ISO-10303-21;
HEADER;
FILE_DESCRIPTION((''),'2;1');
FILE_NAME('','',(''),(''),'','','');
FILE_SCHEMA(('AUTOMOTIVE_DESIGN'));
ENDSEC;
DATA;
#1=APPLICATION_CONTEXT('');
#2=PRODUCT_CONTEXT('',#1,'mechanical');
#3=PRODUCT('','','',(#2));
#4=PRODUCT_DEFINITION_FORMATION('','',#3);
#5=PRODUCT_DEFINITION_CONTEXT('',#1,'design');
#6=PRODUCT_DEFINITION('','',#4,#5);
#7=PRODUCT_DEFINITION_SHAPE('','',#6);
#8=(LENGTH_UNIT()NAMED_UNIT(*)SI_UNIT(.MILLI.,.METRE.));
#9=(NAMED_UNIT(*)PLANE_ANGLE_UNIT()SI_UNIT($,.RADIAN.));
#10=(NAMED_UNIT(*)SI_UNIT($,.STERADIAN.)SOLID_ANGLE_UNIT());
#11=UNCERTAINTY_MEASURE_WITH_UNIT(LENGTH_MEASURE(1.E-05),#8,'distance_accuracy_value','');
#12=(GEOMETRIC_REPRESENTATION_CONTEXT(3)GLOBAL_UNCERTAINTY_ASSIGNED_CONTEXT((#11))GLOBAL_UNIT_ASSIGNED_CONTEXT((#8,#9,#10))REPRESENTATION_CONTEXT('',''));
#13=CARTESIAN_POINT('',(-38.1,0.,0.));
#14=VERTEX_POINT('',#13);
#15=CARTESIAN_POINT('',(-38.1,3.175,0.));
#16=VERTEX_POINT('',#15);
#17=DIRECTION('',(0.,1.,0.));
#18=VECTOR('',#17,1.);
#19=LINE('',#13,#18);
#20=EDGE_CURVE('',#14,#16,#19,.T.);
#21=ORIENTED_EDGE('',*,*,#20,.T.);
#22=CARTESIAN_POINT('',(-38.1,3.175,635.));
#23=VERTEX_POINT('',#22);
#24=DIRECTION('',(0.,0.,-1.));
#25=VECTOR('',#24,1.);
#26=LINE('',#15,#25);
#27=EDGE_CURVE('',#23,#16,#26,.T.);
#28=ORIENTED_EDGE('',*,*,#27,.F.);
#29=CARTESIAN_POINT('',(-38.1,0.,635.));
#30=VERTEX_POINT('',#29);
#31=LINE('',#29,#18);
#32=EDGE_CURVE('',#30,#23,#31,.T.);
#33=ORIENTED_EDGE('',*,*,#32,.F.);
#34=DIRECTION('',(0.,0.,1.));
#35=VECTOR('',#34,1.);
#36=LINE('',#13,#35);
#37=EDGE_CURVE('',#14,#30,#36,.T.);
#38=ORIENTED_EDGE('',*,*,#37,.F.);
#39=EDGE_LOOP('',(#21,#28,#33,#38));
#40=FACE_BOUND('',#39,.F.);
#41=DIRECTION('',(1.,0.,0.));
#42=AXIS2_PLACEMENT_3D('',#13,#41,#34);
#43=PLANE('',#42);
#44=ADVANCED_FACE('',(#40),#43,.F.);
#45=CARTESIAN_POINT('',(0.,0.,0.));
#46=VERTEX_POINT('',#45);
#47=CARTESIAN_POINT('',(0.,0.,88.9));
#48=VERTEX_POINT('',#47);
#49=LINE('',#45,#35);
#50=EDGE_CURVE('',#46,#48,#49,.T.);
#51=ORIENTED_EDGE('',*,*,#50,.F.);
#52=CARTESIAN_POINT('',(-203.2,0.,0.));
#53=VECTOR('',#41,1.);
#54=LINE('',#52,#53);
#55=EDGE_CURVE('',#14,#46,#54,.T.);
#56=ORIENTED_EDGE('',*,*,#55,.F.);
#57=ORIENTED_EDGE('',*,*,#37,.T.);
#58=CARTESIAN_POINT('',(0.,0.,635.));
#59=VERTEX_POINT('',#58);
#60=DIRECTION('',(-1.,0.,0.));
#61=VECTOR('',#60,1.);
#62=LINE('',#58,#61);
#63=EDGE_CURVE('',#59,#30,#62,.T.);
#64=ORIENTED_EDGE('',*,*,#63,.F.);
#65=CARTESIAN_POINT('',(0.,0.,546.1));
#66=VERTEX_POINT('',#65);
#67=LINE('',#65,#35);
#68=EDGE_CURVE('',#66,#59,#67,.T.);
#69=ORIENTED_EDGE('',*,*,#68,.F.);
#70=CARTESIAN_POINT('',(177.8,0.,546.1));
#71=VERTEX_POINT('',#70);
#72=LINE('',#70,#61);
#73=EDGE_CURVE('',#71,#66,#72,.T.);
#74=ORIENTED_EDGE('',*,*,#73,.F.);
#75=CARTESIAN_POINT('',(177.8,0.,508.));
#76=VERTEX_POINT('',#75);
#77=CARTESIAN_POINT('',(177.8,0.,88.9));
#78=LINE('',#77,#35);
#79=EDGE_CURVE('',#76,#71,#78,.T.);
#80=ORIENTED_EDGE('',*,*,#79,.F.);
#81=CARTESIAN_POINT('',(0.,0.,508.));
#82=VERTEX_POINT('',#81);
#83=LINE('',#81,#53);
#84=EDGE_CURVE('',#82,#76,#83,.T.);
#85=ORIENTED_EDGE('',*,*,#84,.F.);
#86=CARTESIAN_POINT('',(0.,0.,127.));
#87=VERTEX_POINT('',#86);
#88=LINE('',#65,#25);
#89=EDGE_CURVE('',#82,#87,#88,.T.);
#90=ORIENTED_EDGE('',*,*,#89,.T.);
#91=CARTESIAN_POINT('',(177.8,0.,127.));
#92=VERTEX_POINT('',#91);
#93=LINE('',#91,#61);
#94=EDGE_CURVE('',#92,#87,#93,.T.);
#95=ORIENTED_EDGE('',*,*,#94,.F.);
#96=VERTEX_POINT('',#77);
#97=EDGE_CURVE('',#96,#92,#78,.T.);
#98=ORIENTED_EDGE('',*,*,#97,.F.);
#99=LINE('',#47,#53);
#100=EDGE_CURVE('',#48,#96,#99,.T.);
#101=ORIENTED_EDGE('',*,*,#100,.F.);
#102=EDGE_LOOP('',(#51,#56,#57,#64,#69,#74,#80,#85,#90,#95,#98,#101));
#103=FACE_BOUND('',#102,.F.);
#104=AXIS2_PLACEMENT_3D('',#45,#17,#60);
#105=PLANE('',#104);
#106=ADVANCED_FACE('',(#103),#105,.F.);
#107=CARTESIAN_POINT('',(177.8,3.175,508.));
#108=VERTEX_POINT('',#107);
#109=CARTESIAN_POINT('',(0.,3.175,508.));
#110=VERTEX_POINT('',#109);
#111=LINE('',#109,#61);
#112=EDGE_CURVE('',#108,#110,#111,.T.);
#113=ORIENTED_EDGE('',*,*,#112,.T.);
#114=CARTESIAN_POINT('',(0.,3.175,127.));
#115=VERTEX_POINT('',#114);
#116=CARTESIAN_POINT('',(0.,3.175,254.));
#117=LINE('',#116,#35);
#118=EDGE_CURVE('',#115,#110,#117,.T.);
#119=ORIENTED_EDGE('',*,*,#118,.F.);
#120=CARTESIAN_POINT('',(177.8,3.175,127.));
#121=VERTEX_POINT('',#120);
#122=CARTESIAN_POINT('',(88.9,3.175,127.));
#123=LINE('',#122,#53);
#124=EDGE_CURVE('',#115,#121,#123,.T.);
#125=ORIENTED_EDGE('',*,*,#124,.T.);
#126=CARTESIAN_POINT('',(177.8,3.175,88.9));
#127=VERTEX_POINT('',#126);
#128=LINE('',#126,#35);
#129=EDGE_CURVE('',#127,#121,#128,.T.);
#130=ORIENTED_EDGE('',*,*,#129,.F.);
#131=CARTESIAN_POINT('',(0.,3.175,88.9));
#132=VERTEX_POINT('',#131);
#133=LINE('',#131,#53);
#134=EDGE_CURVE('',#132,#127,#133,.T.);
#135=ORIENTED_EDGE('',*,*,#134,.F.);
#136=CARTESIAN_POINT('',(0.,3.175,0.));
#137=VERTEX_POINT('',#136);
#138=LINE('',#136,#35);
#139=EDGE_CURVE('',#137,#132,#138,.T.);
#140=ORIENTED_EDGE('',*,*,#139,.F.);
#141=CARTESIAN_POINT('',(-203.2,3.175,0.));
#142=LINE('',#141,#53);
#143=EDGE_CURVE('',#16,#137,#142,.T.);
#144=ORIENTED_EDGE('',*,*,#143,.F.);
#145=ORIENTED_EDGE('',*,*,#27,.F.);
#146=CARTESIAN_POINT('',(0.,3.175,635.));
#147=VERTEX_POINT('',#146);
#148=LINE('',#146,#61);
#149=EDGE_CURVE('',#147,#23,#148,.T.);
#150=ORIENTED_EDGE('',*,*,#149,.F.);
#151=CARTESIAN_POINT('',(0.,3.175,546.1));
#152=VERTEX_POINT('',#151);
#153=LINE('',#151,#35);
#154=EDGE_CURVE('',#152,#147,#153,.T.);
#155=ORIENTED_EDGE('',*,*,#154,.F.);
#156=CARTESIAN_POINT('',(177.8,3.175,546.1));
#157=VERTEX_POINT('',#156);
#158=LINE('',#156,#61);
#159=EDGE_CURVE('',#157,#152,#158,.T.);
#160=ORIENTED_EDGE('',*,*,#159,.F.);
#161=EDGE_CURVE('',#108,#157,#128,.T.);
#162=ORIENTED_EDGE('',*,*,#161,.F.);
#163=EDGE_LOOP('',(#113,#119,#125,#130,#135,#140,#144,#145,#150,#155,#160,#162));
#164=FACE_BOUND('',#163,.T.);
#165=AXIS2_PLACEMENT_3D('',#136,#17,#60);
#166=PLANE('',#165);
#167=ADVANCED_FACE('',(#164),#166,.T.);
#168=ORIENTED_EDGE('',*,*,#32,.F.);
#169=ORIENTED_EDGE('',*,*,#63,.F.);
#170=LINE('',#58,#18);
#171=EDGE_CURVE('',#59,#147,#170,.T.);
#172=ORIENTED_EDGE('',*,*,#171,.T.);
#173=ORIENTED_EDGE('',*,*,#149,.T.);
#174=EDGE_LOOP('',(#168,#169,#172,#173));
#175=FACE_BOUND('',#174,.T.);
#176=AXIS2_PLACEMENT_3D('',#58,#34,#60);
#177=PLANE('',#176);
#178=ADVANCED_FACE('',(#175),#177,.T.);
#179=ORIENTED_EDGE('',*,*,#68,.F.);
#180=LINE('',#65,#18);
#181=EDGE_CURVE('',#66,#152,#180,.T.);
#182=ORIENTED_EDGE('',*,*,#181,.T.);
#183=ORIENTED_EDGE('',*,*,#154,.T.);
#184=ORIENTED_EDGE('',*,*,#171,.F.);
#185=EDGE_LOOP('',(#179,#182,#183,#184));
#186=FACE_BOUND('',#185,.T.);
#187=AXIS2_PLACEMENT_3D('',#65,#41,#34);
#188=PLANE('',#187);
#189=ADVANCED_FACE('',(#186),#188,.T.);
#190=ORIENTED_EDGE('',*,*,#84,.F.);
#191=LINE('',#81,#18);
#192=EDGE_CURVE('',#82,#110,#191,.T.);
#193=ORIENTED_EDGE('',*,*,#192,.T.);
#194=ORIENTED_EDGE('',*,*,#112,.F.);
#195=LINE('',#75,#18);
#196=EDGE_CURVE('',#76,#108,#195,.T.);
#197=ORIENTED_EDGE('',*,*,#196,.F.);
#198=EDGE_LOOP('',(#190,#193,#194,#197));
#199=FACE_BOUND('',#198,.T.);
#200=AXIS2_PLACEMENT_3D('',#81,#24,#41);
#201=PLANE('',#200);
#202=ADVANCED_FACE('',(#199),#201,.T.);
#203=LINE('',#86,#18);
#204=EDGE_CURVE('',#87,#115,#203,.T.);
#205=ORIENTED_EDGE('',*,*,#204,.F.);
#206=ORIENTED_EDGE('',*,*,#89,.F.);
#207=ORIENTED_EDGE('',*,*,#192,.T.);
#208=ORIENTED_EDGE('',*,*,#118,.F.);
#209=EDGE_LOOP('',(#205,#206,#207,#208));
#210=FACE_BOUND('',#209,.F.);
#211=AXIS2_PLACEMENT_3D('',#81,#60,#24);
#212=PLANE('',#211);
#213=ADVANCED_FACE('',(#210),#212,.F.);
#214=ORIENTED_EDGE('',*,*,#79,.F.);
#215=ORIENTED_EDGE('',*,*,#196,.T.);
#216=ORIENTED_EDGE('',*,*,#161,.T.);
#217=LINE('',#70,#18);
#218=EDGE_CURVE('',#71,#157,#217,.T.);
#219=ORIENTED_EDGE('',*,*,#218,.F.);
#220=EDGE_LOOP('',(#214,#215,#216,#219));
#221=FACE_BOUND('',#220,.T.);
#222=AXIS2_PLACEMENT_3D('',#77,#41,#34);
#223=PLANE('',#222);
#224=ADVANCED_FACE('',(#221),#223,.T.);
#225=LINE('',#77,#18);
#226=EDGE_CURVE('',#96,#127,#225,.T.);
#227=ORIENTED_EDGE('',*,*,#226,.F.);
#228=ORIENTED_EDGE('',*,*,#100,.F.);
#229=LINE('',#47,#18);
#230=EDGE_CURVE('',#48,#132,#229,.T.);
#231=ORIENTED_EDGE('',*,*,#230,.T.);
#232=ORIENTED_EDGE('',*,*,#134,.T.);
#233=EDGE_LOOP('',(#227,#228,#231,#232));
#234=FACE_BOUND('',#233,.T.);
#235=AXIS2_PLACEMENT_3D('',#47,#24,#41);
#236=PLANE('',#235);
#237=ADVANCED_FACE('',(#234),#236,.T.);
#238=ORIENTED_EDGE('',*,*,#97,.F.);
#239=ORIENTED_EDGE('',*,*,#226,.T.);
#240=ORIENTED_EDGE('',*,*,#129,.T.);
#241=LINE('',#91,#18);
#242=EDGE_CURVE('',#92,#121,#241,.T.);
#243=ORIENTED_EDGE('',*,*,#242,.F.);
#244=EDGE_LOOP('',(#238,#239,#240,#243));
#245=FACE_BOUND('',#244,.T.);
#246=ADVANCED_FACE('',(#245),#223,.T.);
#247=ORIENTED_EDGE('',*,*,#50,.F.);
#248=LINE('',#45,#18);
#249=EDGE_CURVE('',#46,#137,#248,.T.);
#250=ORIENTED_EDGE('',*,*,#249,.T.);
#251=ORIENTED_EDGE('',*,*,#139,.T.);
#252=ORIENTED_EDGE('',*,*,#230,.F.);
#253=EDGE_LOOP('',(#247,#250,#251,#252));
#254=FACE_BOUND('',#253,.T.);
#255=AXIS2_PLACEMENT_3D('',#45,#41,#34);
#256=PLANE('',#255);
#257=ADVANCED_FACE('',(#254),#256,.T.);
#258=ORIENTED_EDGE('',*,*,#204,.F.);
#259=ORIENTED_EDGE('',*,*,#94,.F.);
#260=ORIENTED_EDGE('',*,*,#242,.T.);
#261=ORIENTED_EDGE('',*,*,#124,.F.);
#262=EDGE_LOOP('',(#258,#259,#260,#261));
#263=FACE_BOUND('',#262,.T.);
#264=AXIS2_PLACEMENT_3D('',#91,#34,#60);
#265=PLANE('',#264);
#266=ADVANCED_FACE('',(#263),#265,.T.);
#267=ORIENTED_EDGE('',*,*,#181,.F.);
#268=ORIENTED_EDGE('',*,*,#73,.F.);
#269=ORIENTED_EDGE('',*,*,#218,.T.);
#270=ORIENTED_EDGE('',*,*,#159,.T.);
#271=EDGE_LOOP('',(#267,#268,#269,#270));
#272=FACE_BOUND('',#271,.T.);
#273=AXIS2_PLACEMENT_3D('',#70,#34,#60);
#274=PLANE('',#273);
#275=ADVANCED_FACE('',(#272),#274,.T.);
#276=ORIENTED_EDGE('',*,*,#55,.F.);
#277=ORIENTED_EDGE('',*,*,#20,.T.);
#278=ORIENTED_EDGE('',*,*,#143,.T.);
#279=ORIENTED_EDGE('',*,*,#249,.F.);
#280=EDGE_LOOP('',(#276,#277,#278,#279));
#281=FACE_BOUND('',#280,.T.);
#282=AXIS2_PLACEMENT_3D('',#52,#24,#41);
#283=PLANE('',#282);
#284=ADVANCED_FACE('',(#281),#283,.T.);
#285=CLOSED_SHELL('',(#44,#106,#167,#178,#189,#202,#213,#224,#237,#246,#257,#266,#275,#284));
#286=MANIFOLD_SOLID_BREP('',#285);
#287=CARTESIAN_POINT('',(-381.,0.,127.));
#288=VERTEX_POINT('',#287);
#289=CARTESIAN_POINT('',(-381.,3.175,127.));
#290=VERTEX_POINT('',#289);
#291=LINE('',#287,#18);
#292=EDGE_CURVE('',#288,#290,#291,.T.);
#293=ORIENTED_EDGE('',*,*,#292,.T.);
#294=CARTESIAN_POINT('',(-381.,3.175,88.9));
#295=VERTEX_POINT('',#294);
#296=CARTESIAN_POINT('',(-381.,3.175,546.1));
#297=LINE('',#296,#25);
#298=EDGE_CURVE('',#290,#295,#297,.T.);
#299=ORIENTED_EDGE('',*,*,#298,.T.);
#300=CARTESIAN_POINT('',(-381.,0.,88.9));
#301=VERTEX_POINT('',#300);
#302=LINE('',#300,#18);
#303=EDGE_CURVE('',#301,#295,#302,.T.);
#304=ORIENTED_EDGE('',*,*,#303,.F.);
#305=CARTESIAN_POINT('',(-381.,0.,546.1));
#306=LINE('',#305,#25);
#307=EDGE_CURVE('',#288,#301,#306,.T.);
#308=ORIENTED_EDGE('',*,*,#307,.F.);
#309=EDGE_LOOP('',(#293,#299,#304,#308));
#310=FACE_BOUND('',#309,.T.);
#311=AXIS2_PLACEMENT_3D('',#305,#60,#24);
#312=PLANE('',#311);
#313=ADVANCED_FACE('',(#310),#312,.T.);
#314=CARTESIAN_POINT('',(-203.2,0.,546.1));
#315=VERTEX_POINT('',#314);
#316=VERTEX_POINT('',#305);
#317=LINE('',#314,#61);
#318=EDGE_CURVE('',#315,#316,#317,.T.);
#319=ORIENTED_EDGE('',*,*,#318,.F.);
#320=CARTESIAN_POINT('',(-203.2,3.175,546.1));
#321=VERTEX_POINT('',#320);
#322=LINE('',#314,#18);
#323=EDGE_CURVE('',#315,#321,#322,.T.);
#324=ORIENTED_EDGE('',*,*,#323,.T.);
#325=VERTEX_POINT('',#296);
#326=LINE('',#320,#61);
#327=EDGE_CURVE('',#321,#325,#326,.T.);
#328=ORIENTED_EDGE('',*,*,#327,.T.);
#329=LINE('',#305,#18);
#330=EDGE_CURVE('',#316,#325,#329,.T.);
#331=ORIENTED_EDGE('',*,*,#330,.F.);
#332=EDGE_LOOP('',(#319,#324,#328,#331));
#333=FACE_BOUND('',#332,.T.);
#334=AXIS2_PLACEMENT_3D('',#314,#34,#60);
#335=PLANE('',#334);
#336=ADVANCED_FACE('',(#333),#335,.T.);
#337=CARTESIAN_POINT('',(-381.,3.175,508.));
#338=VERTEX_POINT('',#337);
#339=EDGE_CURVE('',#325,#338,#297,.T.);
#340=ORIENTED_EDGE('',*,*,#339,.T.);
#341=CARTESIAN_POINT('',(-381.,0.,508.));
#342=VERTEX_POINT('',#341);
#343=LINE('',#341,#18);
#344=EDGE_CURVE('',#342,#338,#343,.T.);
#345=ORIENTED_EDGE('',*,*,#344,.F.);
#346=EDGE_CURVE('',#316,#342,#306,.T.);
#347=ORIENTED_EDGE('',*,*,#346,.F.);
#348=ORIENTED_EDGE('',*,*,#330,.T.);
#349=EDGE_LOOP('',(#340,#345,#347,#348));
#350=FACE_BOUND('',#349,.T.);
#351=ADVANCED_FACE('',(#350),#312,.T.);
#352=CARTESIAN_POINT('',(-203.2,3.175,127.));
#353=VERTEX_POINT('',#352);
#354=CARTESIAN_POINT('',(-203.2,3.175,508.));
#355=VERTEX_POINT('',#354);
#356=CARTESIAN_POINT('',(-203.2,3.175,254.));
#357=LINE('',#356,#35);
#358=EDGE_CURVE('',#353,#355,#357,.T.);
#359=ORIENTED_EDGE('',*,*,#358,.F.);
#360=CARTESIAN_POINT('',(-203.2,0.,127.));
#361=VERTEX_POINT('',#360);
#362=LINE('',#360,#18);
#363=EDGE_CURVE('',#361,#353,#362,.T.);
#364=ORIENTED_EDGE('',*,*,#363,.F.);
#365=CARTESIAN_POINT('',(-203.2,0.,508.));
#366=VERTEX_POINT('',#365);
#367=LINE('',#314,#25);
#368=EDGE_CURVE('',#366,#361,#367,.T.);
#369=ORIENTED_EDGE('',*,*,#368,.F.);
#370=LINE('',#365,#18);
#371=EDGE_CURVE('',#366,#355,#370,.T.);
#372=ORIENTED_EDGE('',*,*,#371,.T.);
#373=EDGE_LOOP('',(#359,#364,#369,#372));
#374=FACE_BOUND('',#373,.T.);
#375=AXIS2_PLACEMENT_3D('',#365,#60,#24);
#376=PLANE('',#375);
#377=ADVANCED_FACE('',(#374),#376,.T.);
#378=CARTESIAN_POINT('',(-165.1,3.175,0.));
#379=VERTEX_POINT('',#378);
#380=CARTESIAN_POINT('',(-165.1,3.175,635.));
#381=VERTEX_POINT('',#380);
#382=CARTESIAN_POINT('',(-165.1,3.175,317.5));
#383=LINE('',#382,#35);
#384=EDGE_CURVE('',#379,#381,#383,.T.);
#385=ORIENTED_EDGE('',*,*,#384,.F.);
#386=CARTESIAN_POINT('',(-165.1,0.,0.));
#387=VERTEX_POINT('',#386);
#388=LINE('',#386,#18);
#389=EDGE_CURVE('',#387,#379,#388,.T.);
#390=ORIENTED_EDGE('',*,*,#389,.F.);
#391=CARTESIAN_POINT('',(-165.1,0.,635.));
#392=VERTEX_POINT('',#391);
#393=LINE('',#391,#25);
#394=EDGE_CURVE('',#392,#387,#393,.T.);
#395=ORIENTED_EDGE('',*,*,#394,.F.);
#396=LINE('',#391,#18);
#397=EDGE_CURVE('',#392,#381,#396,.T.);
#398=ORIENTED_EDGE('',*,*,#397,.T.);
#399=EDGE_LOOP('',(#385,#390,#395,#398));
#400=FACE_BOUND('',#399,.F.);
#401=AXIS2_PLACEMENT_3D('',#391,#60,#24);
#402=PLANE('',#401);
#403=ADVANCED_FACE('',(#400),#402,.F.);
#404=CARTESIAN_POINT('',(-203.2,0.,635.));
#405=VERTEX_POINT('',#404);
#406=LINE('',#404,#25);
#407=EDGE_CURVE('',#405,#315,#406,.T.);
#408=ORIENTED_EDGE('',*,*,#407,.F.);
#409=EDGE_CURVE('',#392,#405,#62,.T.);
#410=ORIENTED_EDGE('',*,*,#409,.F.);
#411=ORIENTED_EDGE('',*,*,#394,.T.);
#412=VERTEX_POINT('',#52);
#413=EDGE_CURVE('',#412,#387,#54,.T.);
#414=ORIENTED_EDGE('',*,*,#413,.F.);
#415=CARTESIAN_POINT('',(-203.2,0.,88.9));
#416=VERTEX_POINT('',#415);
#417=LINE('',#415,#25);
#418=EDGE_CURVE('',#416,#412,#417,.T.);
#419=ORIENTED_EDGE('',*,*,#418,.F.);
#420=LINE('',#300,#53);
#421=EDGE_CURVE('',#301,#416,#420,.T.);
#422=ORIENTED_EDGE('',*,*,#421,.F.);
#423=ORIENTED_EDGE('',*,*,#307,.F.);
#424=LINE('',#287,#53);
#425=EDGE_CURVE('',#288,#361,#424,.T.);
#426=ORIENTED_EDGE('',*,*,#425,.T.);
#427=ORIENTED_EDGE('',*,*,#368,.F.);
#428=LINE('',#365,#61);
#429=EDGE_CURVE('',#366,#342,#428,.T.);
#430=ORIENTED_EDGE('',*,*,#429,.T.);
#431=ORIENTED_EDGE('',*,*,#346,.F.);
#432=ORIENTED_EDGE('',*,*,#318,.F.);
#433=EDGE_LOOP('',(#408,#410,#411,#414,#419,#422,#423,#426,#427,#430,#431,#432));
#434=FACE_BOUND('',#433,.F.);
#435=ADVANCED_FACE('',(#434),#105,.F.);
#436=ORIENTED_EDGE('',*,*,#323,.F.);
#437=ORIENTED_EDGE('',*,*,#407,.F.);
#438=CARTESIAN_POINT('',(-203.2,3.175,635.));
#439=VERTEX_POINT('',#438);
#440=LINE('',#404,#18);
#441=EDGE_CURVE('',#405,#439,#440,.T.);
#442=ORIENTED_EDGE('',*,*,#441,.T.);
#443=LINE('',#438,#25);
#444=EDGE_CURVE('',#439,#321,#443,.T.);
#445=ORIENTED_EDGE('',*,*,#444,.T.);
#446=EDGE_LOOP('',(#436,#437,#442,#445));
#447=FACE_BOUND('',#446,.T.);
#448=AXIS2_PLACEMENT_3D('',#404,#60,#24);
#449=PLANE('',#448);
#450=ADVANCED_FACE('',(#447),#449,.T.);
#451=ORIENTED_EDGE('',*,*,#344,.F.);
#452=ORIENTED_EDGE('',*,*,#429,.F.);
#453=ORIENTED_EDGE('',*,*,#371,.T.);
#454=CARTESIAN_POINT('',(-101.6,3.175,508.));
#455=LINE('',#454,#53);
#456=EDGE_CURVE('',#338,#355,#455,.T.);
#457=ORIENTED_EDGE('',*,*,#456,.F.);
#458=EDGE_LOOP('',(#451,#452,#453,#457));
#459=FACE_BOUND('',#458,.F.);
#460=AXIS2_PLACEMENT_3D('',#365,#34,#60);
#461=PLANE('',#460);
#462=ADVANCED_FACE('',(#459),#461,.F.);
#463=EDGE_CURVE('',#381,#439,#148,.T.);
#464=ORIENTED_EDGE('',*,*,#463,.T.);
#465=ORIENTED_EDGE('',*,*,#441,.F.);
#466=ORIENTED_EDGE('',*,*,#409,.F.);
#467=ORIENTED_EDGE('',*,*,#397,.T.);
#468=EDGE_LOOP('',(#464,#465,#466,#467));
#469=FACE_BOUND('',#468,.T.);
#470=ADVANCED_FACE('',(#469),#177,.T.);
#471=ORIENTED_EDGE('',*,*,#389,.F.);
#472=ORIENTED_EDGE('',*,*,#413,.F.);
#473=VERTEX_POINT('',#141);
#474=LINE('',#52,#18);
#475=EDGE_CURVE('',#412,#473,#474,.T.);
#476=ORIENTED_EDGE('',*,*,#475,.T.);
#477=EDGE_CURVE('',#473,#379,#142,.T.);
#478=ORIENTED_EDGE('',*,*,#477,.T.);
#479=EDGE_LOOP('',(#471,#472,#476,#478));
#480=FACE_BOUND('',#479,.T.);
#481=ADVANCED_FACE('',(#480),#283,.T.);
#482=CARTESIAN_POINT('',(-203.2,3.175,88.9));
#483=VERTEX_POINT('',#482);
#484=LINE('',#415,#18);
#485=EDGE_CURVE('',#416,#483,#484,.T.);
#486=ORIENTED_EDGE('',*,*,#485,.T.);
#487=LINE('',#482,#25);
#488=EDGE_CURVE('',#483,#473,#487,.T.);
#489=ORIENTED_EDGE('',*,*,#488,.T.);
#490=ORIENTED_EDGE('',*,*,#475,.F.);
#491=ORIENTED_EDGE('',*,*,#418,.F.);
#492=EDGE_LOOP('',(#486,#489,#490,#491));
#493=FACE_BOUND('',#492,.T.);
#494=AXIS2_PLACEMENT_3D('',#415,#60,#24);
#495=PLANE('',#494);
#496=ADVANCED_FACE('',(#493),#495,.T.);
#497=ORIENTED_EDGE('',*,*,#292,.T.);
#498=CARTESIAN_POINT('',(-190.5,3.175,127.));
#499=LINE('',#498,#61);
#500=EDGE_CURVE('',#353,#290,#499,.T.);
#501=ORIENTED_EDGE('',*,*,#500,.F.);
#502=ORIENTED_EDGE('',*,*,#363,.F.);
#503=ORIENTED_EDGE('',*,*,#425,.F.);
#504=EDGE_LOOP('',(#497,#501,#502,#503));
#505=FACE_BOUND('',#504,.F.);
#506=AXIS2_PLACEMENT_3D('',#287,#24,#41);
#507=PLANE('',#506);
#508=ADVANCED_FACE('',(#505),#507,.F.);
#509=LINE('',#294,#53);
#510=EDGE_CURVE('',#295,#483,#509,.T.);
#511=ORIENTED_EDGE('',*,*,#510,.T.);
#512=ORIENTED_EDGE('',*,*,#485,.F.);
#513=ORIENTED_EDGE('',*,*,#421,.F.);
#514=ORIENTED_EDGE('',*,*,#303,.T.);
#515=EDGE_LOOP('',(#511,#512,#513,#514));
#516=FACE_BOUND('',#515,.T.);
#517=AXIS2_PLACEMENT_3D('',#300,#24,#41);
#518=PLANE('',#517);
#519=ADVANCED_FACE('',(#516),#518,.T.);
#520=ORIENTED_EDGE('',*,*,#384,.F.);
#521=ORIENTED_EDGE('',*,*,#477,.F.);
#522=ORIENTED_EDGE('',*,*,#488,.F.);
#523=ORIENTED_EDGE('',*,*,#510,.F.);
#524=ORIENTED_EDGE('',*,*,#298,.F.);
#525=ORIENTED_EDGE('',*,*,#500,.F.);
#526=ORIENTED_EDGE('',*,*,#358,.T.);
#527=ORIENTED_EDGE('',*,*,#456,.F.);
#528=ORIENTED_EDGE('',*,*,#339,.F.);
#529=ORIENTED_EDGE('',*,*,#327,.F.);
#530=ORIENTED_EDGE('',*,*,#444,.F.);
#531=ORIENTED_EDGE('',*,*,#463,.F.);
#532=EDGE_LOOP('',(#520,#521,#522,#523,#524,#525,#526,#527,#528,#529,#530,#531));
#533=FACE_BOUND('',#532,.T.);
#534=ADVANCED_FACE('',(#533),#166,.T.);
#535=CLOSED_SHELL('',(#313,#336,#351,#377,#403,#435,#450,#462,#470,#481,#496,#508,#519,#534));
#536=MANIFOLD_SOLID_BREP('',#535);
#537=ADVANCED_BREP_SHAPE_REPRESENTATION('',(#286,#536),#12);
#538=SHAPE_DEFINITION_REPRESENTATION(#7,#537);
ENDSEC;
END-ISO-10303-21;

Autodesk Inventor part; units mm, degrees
ref_plane "YZ Plane" through (0, 0, 0) normal (1, 0, 0) x (0, 1, 0)
ref_plane "XZ Plane" through (0, 0, 0) normal (0, 1, 0) x (-1, 0, 0)
ref_plane "XY Plane" through (0, 0, 0) normal (0, 0, 1) x (1, 0, 0)
sketch "Sketch1" plane through (0, 0, 0) normal (0, 1, 0) x (-1, 0, 0)
  line L0 (0, 0) -> (0, 88.9)
  line L1 (0, 88.9) -> (-177.8, 88.9)
  line L2 (-177.8, 88.9) -> (-177.8, 546.1)
  line L3 (-177.8, 546.1) -> (0, 546.1)
  line L4 (0, 546.1) -> (0, 635)
  line L5 (0, 635) -> (203.2, 635)
  line L6 (203.2, 635) -> (203.2, 546.1)
  line L7 (203.2, 546.1) -> (381, 546.1)
  line L8 (381, 546.1) -> (381, 88.9)
  line L9 (381, 88.9) -> (203.2, 88.9)
  line L10 (203.2, 88.9) -> (203.2, 0)
  line L11 (203.2, 0) -> (0, 0)
  dimension "d0" = 88.9
  dimension "d1" = 177.8
  dimension "d2" = 88.9
  dimension "d3" = 177.8
  dimension "d4" = 177.8
  dimension "d5" = 88.9
  dimension "d6" = 177.8
  dimension "d7" = 88.9
  dimension "d8" = 558.8
  dimension "d9" = 635
extrude "Extrusion1" add sketch "Sketch1" along normal blind 3.175
sketch "Sketch2" plane through (0, 0, 0) normal (0, -1, 0) x (1, 0, 0)
  line L0 (0, 0) -> (0, 88.9) projected
  line L1 (0, 546.1) -> (0, 635) projected
  line L2 (0, 635) -> (-203.2, 635) projected
  line L3 (-203.2, 546.1) -> (-381, 546.1) projected
  line L4 (-381, 88.9) -> (-203.2, 88.9) projected
  line L5 (-203.2, 0) -> (0, 0) projected
  line L6 (-38.1, 635) -> (-165.1, 635)
  line L7 (-165.1, 635) -> (-165.1, 0)
  line L8 (-165.1, 0) -> (-38.1, 0)
  line L9 (-38.1, 0) -> (-38.1, 635)
  line L10 (0, 546.1) -> (0, 88.9)
  line L11 (-203.2, 546.1) -> (-203.2, 88.9)
  line L12 (-203.2, 508) -> (-381, 508)
  line L13 (-381, 508) -> (-381, 127)
  line L14 (-381, 127) -> (-203.2, 127)
  line L15 (-203.2, 127) -> (-203.2, 508)
  line L16 (0, 508) -> (177.8, 508)
  line L17 (177.8, 508) -> (177.8, 127)
  line L18 (177.8, 127) -> (0, 127)
  line L19 (0, 127) -> (0, 508)
  dimension "d12" = 127
  dimension "d13" = 38.1
  dimension "d14" = 38.1
  dimension "d15" = 38.1
  dimension "d16" = 177.8
  dimension "d17" = 177.8
extrude "Extrusion2" cut sketch "Sketch2" against normal blind 25.4 contours L5 L7 L2 L9 | L10 L16 L17 L18 | L11 L14 L13 L12
properties part number "Aluminum Board"
